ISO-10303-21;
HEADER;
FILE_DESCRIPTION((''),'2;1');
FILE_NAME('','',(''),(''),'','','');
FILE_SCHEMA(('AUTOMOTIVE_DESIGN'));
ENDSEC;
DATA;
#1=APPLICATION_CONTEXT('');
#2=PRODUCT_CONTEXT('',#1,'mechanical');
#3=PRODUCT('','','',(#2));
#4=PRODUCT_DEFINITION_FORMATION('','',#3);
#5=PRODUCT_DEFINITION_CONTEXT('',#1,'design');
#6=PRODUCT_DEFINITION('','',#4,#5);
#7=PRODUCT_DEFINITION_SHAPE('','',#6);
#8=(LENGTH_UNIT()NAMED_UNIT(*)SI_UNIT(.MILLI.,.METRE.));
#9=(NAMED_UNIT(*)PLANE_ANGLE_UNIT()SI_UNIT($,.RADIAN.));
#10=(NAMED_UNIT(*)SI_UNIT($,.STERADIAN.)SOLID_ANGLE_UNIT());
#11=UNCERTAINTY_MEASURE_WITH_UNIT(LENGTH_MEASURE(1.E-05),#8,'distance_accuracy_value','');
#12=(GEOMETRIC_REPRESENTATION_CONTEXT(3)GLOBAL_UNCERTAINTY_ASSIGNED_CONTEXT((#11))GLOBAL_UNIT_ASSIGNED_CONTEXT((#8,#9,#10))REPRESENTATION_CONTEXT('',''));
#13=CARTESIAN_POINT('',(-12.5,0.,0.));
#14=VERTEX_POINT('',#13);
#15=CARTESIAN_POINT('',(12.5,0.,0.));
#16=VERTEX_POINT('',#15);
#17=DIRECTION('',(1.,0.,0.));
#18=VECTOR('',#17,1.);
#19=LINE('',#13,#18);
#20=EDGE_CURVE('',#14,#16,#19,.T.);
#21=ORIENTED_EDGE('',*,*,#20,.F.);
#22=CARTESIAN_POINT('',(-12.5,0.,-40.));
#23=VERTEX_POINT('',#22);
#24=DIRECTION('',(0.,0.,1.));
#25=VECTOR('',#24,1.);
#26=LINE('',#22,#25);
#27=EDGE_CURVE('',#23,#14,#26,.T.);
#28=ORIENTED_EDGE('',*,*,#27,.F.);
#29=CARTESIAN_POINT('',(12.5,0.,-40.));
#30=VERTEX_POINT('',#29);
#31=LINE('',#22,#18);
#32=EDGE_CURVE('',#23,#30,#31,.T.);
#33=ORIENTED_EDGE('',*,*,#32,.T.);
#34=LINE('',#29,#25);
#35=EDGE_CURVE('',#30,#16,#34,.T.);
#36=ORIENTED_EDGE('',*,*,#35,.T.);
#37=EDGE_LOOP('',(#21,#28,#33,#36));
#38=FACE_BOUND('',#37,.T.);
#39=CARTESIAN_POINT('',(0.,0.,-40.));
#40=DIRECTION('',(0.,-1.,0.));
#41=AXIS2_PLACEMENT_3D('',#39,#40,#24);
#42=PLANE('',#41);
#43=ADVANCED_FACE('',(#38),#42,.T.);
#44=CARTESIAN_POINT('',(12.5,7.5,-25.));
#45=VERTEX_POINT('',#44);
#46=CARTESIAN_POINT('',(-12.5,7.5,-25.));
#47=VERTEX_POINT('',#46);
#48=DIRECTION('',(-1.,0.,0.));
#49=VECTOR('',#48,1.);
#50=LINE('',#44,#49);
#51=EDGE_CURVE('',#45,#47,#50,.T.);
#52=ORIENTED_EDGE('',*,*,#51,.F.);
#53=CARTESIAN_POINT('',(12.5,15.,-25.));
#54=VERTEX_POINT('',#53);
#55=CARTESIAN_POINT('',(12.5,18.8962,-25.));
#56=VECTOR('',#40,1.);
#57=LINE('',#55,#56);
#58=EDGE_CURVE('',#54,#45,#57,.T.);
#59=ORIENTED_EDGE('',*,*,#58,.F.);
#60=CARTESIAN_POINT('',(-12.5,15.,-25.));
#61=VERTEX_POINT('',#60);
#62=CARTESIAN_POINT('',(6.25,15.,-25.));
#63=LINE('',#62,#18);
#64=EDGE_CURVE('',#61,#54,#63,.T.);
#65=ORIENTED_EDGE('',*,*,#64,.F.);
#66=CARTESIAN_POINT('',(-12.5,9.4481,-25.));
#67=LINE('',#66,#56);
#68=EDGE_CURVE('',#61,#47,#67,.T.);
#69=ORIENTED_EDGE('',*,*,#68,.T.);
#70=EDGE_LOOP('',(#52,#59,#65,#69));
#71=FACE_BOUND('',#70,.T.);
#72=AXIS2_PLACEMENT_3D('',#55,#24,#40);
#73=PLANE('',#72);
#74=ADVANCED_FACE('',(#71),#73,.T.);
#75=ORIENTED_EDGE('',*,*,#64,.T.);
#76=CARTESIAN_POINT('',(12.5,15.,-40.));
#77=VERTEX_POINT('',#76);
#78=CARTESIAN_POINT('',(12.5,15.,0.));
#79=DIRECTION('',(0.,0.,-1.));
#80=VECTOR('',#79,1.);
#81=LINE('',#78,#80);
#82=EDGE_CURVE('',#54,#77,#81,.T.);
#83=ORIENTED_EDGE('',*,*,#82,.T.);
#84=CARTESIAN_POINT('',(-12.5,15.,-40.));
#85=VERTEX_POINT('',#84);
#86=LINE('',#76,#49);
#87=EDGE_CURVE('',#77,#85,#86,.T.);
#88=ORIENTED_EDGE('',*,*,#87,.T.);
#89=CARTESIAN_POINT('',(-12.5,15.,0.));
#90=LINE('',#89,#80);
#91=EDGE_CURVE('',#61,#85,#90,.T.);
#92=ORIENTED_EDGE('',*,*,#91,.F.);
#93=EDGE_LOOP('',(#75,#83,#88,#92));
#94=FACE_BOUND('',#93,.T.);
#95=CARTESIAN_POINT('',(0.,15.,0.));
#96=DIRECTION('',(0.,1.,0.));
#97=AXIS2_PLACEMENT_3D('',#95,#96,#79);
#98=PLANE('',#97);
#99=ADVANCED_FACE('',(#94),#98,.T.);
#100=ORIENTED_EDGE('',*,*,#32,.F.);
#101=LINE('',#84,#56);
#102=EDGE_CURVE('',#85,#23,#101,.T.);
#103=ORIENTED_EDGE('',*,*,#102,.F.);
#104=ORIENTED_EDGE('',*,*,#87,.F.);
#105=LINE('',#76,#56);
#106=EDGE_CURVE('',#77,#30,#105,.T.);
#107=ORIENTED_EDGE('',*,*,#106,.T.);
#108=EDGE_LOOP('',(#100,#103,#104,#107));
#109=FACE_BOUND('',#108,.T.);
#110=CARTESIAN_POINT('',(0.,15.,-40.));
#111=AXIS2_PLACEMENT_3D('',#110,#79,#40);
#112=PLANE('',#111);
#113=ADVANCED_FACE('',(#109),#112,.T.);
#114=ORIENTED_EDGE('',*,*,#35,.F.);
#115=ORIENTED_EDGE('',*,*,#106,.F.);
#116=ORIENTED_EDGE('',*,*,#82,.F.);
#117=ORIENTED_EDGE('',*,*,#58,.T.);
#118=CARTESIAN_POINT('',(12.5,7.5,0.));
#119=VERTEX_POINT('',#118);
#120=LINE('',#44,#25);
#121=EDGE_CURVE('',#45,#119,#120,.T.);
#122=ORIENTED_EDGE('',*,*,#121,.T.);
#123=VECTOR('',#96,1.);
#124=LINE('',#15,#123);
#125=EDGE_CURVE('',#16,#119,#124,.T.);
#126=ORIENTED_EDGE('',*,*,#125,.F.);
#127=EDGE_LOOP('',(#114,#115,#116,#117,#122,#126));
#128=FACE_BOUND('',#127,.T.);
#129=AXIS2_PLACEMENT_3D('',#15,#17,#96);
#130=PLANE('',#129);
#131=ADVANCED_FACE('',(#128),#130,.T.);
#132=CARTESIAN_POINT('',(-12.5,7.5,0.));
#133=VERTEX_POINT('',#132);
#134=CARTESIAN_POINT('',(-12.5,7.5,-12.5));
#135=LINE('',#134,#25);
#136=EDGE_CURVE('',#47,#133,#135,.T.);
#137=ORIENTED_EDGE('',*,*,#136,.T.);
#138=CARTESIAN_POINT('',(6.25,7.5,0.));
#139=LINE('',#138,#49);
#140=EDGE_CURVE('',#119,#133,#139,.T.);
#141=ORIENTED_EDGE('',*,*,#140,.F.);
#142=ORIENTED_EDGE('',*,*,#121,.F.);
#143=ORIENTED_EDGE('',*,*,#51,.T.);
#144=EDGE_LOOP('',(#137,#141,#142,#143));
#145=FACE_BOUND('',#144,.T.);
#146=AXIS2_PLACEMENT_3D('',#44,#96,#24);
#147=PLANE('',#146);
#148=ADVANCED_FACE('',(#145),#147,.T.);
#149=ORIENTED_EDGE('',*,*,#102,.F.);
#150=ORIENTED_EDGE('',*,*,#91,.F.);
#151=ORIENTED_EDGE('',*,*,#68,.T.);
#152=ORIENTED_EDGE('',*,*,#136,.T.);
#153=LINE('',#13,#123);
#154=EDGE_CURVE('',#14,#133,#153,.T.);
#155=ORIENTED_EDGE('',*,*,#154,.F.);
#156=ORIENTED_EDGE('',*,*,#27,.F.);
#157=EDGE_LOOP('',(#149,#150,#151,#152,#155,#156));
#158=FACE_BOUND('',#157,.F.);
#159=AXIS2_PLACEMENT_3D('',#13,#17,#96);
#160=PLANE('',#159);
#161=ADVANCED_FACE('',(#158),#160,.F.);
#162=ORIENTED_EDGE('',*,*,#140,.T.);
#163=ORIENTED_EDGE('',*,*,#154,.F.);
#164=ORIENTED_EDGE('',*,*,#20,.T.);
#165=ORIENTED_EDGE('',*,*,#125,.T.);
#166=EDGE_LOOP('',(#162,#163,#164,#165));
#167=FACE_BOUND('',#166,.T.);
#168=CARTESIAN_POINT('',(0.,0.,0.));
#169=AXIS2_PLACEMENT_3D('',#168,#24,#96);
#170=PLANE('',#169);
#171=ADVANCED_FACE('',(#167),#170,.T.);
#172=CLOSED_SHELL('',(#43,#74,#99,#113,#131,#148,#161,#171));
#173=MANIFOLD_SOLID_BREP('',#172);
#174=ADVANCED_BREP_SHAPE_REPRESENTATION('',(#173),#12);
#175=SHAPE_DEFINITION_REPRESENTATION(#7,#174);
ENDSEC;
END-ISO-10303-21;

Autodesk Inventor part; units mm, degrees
ref_plane "YZ Plane" through (0, 0, 0) normal (1, 0, 0) x (0, 1, 0)
ref_plane "XZ Plane" through (0, 0, 0) normal (0, 1, 0) x (-1, 0, 0)
ref_plane "XY Plane" through (0, 0, 0) normal (0, 0, 1) x (1, 0, 0)
sketch "Sketch1" plane through (0, 0, 0) normal (1, 0, 0) x (0, 1, 0)
  line L0 (0, 0) -> (15, 0)
  line L1 (15, 0) -> (15, -40)
  line L2 (15, -40) -> (0, -40)
  line L3 (0, -40) -> (0, 0)
  dimension "d0" = 40
  dimension "d1" = 15
extrude "modelo" add sketch "Sketch1" along normal mid plane 25
sketch "Sketch2" plane through (12.5, 0, 0) normal (1, 0, 0) x (0, 0, -1)
  line L0 (-5, 18.8962) -> (25, 18.8962)
  line L1 (25, 18.8962) -> (25, 7.5)
  line L2 (25, 7.5) -> (-5, 7.5)
  line L3 (-5, 7.5) -> (-5, 18.8962)
  line L4 (40, 0) -> (40, 15) projected
  line L5 (0, 0) -> (40, 0) projected
  dimension "d4" = 15
  dimension "d5" = 30
  dimension "d6" = 7.5
extrude "corte" cut sketch "Sketch2" against normal through all
